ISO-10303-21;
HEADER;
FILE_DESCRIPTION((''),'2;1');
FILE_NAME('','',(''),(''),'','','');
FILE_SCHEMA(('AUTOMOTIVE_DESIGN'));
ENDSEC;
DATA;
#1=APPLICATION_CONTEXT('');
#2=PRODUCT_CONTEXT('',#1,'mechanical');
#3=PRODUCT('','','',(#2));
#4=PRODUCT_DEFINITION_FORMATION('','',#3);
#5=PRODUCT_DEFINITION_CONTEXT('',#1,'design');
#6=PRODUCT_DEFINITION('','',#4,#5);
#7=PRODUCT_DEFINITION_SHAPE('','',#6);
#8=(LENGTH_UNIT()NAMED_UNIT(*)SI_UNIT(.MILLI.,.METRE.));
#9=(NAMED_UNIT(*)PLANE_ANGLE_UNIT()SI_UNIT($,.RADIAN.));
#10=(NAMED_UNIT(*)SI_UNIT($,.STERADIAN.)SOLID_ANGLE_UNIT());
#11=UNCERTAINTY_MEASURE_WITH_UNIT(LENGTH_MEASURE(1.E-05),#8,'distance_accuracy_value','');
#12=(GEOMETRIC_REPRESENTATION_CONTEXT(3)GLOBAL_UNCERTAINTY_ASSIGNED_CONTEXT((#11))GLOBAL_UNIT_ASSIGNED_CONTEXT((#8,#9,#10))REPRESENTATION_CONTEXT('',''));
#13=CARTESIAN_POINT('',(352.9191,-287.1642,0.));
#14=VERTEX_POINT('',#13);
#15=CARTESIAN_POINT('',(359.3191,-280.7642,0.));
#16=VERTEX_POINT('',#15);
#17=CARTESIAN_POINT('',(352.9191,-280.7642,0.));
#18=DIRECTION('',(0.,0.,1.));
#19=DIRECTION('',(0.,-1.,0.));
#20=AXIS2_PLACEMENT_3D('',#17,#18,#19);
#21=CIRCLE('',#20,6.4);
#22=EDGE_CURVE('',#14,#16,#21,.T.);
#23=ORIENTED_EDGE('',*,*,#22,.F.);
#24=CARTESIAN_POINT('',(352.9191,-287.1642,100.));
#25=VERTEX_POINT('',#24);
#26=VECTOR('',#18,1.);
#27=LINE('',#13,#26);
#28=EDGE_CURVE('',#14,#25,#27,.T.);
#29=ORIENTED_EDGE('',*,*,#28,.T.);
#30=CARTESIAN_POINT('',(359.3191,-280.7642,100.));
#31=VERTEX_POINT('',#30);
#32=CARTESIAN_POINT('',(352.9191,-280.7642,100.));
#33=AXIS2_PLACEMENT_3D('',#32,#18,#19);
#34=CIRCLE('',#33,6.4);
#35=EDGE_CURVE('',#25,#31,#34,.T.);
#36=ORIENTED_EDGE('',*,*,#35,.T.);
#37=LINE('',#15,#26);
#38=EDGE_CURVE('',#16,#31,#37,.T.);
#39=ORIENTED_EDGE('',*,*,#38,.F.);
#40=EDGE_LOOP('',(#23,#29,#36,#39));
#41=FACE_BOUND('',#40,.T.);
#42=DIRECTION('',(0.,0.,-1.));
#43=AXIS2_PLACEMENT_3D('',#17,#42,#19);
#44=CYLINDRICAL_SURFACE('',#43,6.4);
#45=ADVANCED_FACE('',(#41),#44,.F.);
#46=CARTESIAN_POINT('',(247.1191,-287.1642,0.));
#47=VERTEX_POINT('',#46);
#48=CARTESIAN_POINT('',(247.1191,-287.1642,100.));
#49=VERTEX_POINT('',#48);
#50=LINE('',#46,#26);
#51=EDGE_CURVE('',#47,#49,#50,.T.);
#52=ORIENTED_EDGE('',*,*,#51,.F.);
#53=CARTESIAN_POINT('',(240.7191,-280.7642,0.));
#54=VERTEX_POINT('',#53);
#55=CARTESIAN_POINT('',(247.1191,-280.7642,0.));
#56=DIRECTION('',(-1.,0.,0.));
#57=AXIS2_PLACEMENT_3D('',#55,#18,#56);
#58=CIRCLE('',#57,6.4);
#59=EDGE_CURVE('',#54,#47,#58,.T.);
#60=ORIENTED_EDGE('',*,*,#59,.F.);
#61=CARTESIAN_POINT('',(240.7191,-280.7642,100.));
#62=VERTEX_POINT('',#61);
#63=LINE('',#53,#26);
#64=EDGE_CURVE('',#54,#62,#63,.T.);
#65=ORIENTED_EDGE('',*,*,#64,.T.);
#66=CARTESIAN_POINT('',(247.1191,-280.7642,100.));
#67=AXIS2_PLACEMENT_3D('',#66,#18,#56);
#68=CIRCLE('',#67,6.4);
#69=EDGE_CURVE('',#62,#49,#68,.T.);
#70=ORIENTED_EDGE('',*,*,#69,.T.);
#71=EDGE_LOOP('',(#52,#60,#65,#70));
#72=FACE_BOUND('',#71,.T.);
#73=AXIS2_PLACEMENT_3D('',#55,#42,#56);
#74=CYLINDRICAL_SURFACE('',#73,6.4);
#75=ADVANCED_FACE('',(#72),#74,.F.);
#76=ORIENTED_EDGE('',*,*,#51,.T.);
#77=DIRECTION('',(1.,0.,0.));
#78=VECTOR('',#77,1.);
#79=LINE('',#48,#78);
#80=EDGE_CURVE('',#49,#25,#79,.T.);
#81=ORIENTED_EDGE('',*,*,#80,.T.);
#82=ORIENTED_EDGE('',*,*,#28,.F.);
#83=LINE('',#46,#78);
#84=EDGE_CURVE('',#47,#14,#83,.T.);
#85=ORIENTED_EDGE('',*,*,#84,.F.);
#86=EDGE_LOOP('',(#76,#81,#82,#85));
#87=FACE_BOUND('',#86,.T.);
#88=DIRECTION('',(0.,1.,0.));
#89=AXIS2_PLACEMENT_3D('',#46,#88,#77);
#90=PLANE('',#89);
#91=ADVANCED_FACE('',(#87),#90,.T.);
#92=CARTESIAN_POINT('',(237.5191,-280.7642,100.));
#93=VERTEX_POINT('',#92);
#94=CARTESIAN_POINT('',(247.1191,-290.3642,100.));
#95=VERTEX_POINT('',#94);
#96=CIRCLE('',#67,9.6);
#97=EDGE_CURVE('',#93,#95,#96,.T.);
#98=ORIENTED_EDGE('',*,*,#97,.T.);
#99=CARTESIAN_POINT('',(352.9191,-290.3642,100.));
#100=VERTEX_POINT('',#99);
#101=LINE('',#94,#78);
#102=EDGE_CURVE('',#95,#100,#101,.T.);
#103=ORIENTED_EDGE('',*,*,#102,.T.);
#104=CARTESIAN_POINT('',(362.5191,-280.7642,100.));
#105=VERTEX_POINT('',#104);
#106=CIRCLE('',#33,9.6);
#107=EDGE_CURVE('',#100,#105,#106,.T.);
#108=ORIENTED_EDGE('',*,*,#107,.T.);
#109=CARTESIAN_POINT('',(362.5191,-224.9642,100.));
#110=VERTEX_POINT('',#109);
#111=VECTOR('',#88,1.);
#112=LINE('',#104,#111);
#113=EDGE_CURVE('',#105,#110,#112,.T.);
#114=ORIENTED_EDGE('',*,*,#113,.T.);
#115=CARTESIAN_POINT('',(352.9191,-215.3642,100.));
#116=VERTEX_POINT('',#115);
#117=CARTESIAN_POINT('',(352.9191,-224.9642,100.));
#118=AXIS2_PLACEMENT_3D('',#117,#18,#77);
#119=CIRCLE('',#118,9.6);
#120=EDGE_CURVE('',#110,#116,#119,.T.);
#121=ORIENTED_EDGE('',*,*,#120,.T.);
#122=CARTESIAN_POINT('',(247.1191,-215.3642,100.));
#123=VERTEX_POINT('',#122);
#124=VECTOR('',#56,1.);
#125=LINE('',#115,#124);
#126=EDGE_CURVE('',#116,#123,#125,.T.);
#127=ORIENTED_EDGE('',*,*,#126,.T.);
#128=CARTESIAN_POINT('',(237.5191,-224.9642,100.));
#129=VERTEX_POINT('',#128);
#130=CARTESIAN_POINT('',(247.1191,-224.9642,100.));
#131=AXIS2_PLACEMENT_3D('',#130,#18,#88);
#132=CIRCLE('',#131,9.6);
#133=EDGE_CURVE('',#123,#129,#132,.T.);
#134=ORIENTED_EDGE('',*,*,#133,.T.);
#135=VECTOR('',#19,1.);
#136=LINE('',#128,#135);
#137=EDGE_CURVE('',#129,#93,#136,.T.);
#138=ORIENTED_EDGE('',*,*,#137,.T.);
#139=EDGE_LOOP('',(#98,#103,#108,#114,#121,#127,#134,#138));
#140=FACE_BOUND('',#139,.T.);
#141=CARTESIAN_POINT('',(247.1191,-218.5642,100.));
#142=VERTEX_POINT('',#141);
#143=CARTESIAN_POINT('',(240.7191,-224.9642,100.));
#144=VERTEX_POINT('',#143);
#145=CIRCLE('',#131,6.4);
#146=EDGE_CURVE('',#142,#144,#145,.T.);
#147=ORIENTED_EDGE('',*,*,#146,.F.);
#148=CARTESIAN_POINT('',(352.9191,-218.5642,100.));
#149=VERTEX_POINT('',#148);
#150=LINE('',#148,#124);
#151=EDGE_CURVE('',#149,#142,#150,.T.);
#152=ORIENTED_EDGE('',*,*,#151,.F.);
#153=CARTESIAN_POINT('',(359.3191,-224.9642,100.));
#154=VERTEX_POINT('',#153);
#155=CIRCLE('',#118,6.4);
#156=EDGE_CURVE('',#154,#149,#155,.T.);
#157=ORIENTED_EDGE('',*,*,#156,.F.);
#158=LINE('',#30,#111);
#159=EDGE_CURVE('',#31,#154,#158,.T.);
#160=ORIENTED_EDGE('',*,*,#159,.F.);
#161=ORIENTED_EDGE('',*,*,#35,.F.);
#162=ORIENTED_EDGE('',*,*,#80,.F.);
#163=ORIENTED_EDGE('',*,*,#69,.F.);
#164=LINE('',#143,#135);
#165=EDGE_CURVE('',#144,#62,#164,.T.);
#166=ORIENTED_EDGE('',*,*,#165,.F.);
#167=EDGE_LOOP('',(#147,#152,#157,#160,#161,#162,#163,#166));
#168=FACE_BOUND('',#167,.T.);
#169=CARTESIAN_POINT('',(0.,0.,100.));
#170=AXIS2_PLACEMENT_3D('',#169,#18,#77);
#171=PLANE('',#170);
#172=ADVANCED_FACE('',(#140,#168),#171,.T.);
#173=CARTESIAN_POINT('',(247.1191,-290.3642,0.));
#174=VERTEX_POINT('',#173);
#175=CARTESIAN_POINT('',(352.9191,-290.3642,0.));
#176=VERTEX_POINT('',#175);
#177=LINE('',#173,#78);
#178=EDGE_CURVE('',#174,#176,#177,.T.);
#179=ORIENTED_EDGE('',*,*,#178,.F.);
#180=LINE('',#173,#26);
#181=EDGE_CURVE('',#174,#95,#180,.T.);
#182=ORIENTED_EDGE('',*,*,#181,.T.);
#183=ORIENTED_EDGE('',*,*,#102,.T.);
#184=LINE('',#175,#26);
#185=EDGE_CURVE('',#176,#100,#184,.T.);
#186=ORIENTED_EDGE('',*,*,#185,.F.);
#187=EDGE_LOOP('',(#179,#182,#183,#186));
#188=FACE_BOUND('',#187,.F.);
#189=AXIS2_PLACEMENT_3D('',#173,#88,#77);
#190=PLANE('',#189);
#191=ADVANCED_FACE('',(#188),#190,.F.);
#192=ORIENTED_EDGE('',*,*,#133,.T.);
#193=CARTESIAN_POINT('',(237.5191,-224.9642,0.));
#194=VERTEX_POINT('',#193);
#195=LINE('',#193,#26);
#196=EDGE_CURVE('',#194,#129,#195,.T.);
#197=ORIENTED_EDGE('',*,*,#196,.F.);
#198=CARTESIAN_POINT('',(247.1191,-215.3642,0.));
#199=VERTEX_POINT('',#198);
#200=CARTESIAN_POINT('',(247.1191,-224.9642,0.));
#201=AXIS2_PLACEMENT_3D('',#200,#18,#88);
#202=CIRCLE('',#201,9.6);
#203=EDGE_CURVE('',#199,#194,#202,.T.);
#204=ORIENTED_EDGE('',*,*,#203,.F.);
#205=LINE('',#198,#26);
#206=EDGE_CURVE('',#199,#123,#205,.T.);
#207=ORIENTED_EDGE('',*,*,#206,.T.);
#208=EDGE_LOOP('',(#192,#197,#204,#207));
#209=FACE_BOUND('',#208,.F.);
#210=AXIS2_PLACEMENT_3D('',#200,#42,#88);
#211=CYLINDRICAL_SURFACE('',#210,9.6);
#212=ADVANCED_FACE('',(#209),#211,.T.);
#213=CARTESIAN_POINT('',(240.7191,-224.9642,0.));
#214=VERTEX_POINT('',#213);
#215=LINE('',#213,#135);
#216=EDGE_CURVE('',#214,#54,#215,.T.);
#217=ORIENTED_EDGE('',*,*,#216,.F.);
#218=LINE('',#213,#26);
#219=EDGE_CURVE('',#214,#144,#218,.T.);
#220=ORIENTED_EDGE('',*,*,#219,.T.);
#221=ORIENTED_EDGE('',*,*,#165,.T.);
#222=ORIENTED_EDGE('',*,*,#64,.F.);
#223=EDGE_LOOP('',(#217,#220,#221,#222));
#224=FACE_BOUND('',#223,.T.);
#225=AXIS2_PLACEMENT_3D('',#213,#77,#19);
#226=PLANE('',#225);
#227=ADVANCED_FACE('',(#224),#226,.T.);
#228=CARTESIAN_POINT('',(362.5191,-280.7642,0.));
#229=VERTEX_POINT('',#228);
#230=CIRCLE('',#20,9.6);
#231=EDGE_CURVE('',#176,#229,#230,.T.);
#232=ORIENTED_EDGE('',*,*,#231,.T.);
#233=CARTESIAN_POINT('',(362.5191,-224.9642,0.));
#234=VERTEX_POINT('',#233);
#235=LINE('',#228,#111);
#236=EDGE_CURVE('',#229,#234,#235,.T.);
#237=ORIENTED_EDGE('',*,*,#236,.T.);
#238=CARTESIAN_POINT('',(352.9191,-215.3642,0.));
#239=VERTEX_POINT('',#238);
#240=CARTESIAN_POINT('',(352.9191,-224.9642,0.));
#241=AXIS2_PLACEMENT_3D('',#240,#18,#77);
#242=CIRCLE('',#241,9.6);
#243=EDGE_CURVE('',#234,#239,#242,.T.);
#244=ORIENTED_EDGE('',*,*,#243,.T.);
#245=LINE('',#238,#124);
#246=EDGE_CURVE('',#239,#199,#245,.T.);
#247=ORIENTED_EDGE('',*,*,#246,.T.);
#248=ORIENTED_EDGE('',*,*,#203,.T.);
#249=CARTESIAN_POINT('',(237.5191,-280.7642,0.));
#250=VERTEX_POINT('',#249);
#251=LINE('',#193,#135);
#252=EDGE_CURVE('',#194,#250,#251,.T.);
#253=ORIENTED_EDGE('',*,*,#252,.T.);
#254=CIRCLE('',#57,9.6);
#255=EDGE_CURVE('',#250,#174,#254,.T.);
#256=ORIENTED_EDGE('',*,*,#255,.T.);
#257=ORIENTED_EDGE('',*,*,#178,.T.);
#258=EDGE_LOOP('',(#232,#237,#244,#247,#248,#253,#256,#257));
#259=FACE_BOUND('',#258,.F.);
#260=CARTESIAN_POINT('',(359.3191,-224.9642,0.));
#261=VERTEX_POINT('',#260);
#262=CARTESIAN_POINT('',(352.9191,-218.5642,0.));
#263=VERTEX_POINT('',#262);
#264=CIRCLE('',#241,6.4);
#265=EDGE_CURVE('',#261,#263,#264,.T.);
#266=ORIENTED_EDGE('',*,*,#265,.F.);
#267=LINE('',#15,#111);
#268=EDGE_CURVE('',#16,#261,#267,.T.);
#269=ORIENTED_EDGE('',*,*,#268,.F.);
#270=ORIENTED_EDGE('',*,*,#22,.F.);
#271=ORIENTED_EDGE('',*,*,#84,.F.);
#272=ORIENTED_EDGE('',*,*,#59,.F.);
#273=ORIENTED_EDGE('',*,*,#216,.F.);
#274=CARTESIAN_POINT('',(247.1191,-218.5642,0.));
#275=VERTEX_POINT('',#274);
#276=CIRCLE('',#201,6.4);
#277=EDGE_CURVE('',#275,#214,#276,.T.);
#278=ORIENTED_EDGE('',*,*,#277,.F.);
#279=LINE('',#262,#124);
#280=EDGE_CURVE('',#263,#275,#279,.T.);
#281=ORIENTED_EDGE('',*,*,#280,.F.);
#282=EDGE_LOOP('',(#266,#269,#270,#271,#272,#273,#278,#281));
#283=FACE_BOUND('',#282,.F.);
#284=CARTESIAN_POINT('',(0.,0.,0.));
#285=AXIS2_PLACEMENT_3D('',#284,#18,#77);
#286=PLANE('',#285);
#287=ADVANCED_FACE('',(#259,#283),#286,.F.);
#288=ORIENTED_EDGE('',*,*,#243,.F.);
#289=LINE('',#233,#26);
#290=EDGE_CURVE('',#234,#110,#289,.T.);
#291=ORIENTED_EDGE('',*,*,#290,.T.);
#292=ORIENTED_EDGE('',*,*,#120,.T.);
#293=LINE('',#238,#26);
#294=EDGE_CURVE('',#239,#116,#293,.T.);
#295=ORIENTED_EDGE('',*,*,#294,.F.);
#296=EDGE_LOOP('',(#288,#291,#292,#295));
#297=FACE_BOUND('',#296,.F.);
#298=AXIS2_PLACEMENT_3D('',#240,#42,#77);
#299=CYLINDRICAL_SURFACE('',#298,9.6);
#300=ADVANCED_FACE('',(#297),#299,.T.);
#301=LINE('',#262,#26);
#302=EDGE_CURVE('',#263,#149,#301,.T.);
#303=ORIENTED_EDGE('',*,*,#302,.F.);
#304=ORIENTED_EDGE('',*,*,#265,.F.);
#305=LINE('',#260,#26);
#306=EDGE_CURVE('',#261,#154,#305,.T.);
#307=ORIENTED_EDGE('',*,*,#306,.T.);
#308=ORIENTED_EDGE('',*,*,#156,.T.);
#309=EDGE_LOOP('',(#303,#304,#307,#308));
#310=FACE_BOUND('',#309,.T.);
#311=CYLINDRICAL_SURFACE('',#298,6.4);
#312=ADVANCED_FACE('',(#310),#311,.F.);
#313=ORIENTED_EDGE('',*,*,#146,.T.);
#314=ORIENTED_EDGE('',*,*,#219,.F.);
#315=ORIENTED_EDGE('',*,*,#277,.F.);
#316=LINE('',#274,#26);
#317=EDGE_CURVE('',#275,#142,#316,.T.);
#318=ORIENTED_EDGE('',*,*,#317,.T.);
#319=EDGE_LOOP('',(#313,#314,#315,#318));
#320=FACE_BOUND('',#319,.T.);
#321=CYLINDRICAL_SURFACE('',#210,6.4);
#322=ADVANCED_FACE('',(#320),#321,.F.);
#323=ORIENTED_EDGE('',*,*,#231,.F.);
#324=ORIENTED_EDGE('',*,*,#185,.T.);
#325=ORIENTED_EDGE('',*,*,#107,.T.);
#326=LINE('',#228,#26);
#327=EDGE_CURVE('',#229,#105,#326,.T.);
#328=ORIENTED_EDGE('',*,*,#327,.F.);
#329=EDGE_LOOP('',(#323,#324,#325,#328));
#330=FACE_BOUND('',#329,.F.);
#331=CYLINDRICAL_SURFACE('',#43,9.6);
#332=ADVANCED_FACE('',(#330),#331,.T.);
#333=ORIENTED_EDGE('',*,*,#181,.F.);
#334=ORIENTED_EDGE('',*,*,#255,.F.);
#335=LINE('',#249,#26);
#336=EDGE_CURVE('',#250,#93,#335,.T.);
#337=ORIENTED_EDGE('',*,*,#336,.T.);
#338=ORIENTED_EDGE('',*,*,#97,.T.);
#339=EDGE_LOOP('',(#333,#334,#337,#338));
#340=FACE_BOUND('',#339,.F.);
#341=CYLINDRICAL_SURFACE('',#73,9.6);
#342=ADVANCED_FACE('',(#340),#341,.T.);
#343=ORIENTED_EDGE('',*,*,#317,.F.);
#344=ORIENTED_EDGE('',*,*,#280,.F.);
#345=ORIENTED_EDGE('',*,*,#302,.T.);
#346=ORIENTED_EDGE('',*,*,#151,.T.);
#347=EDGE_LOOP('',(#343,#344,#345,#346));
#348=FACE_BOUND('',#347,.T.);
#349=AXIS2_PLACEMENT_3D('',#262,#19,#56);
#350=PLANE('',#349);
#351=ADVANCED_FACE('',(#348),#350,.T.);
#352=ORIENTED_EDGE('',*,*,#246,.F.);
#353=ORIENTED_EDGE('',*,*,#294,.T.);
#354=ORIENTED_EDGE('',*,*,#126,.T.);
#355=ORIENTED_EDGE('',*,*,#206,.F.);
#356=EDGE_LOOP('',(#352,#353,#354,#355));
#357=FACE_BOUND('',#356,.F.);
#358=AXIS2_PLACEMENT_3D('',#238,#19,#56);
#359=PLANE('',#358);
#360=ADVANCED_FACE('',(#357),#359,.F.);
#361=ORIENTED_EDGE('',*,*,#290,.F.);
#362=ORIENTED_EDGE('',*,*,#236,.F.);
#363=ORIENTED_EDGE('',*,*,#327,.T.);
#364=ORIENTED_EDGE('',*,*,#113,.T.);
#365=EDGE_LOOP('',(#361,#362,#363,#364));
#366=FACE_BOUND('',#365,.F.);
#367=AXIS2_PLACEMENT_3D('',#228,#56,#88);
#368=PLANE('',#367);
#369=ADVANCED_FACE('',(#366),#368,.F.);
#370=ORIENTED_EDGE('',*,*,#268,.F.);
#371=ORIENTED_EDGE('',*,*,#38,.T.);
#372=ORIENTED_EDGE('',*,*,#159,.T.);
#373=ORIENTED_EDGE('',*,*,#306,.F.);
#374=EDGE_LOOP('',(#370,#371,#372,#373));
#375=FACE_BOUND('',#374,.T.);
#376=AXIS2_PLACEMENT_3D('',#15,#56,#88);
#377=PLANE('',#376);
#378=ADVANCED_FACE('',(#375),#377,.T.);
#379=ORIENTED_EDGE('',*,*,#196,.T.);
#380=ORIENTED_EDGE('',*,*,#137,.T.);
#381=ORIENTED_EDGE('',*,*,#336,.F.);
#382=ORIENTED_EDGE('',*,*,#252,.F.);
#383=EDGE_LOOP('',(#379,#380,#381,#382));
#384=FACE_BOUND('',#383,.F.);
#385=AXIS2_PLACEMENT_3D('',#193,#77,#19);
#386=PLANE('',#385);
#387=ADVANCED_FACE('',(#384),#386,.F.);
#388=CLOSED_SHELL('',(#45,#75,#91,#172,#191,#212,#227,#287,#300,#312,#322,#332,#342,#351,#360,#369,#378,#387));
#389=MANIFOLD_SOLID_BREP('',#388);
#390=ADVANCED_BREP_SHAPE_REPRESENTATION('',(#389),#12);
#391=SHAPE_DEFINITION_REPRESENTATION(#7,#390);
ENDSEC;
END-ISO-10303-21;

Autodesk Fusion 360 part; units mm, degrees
sketch "スケッチ1" plane through (0, 0, 0) normal (0, 0, 1) x (1, 0, 0)
  line L0 (247.1191, -287.1642) -> (352.9191, -287.1642)
  line L1 (352.9191, -215.3642) -> (247.1191, -215.3642)
  line L2 (352.9191, -218.5642) -> (247.1191, -218.5642)
  line L3 (237.5191, -224.9642) -> (237.5191, -280.7642)
  line L4 (240.7191, -224.9642) -> (240.7191, -280.7642)
  arc A0 (240.7191, -280.7642) -> (247.1191, -287.1642) centre (247.1191, -280.7642) ccw
  arc A1 (247.1191, -215.3642) -> (237.5191, -224.9642) centre (247.1191, -224.9642) ccw
  arc A2 (247.1191, -218.5642) -> (240.7191, -224.9642) centre (247.1191, -224.9642) ccw
  line L5 (362.5191, -280.7642) -> (362.5191, -224.9642)
  line L6 (359.3191, -280.7642) -> (359.3191, -224.9642)
  arc A3 (352.9191, -287.1642) -> (359.3191, -280.7642) centre (352.9191, -280.7642) ccw
  arc A4 (362.5191, -224.9642) -> (352.9191, -215.3642) centre (352.9191, -224.9642) ccw
  arc A5 (359.3191, -224.9642) -> (352.9191, -218.5642) centre (352.9191, -224.9642) ccw
  line L7 (247.1191, -290.3642) -> (352.9191, -290.3642)
  arc A6 (237.5191, -280.7642) -> (247.1191, -290.3642) centre (247.1191, -280.7642) ccw
  arc A7 (352.9191, -290.3642) -> (362.5191, -280.7642) centre (352.9191, -280.7642) ccw
  point P0 (300.0191, -252.8642)
extrude "押し出し1" add sketch "スケッチ1" along normal blind 100
